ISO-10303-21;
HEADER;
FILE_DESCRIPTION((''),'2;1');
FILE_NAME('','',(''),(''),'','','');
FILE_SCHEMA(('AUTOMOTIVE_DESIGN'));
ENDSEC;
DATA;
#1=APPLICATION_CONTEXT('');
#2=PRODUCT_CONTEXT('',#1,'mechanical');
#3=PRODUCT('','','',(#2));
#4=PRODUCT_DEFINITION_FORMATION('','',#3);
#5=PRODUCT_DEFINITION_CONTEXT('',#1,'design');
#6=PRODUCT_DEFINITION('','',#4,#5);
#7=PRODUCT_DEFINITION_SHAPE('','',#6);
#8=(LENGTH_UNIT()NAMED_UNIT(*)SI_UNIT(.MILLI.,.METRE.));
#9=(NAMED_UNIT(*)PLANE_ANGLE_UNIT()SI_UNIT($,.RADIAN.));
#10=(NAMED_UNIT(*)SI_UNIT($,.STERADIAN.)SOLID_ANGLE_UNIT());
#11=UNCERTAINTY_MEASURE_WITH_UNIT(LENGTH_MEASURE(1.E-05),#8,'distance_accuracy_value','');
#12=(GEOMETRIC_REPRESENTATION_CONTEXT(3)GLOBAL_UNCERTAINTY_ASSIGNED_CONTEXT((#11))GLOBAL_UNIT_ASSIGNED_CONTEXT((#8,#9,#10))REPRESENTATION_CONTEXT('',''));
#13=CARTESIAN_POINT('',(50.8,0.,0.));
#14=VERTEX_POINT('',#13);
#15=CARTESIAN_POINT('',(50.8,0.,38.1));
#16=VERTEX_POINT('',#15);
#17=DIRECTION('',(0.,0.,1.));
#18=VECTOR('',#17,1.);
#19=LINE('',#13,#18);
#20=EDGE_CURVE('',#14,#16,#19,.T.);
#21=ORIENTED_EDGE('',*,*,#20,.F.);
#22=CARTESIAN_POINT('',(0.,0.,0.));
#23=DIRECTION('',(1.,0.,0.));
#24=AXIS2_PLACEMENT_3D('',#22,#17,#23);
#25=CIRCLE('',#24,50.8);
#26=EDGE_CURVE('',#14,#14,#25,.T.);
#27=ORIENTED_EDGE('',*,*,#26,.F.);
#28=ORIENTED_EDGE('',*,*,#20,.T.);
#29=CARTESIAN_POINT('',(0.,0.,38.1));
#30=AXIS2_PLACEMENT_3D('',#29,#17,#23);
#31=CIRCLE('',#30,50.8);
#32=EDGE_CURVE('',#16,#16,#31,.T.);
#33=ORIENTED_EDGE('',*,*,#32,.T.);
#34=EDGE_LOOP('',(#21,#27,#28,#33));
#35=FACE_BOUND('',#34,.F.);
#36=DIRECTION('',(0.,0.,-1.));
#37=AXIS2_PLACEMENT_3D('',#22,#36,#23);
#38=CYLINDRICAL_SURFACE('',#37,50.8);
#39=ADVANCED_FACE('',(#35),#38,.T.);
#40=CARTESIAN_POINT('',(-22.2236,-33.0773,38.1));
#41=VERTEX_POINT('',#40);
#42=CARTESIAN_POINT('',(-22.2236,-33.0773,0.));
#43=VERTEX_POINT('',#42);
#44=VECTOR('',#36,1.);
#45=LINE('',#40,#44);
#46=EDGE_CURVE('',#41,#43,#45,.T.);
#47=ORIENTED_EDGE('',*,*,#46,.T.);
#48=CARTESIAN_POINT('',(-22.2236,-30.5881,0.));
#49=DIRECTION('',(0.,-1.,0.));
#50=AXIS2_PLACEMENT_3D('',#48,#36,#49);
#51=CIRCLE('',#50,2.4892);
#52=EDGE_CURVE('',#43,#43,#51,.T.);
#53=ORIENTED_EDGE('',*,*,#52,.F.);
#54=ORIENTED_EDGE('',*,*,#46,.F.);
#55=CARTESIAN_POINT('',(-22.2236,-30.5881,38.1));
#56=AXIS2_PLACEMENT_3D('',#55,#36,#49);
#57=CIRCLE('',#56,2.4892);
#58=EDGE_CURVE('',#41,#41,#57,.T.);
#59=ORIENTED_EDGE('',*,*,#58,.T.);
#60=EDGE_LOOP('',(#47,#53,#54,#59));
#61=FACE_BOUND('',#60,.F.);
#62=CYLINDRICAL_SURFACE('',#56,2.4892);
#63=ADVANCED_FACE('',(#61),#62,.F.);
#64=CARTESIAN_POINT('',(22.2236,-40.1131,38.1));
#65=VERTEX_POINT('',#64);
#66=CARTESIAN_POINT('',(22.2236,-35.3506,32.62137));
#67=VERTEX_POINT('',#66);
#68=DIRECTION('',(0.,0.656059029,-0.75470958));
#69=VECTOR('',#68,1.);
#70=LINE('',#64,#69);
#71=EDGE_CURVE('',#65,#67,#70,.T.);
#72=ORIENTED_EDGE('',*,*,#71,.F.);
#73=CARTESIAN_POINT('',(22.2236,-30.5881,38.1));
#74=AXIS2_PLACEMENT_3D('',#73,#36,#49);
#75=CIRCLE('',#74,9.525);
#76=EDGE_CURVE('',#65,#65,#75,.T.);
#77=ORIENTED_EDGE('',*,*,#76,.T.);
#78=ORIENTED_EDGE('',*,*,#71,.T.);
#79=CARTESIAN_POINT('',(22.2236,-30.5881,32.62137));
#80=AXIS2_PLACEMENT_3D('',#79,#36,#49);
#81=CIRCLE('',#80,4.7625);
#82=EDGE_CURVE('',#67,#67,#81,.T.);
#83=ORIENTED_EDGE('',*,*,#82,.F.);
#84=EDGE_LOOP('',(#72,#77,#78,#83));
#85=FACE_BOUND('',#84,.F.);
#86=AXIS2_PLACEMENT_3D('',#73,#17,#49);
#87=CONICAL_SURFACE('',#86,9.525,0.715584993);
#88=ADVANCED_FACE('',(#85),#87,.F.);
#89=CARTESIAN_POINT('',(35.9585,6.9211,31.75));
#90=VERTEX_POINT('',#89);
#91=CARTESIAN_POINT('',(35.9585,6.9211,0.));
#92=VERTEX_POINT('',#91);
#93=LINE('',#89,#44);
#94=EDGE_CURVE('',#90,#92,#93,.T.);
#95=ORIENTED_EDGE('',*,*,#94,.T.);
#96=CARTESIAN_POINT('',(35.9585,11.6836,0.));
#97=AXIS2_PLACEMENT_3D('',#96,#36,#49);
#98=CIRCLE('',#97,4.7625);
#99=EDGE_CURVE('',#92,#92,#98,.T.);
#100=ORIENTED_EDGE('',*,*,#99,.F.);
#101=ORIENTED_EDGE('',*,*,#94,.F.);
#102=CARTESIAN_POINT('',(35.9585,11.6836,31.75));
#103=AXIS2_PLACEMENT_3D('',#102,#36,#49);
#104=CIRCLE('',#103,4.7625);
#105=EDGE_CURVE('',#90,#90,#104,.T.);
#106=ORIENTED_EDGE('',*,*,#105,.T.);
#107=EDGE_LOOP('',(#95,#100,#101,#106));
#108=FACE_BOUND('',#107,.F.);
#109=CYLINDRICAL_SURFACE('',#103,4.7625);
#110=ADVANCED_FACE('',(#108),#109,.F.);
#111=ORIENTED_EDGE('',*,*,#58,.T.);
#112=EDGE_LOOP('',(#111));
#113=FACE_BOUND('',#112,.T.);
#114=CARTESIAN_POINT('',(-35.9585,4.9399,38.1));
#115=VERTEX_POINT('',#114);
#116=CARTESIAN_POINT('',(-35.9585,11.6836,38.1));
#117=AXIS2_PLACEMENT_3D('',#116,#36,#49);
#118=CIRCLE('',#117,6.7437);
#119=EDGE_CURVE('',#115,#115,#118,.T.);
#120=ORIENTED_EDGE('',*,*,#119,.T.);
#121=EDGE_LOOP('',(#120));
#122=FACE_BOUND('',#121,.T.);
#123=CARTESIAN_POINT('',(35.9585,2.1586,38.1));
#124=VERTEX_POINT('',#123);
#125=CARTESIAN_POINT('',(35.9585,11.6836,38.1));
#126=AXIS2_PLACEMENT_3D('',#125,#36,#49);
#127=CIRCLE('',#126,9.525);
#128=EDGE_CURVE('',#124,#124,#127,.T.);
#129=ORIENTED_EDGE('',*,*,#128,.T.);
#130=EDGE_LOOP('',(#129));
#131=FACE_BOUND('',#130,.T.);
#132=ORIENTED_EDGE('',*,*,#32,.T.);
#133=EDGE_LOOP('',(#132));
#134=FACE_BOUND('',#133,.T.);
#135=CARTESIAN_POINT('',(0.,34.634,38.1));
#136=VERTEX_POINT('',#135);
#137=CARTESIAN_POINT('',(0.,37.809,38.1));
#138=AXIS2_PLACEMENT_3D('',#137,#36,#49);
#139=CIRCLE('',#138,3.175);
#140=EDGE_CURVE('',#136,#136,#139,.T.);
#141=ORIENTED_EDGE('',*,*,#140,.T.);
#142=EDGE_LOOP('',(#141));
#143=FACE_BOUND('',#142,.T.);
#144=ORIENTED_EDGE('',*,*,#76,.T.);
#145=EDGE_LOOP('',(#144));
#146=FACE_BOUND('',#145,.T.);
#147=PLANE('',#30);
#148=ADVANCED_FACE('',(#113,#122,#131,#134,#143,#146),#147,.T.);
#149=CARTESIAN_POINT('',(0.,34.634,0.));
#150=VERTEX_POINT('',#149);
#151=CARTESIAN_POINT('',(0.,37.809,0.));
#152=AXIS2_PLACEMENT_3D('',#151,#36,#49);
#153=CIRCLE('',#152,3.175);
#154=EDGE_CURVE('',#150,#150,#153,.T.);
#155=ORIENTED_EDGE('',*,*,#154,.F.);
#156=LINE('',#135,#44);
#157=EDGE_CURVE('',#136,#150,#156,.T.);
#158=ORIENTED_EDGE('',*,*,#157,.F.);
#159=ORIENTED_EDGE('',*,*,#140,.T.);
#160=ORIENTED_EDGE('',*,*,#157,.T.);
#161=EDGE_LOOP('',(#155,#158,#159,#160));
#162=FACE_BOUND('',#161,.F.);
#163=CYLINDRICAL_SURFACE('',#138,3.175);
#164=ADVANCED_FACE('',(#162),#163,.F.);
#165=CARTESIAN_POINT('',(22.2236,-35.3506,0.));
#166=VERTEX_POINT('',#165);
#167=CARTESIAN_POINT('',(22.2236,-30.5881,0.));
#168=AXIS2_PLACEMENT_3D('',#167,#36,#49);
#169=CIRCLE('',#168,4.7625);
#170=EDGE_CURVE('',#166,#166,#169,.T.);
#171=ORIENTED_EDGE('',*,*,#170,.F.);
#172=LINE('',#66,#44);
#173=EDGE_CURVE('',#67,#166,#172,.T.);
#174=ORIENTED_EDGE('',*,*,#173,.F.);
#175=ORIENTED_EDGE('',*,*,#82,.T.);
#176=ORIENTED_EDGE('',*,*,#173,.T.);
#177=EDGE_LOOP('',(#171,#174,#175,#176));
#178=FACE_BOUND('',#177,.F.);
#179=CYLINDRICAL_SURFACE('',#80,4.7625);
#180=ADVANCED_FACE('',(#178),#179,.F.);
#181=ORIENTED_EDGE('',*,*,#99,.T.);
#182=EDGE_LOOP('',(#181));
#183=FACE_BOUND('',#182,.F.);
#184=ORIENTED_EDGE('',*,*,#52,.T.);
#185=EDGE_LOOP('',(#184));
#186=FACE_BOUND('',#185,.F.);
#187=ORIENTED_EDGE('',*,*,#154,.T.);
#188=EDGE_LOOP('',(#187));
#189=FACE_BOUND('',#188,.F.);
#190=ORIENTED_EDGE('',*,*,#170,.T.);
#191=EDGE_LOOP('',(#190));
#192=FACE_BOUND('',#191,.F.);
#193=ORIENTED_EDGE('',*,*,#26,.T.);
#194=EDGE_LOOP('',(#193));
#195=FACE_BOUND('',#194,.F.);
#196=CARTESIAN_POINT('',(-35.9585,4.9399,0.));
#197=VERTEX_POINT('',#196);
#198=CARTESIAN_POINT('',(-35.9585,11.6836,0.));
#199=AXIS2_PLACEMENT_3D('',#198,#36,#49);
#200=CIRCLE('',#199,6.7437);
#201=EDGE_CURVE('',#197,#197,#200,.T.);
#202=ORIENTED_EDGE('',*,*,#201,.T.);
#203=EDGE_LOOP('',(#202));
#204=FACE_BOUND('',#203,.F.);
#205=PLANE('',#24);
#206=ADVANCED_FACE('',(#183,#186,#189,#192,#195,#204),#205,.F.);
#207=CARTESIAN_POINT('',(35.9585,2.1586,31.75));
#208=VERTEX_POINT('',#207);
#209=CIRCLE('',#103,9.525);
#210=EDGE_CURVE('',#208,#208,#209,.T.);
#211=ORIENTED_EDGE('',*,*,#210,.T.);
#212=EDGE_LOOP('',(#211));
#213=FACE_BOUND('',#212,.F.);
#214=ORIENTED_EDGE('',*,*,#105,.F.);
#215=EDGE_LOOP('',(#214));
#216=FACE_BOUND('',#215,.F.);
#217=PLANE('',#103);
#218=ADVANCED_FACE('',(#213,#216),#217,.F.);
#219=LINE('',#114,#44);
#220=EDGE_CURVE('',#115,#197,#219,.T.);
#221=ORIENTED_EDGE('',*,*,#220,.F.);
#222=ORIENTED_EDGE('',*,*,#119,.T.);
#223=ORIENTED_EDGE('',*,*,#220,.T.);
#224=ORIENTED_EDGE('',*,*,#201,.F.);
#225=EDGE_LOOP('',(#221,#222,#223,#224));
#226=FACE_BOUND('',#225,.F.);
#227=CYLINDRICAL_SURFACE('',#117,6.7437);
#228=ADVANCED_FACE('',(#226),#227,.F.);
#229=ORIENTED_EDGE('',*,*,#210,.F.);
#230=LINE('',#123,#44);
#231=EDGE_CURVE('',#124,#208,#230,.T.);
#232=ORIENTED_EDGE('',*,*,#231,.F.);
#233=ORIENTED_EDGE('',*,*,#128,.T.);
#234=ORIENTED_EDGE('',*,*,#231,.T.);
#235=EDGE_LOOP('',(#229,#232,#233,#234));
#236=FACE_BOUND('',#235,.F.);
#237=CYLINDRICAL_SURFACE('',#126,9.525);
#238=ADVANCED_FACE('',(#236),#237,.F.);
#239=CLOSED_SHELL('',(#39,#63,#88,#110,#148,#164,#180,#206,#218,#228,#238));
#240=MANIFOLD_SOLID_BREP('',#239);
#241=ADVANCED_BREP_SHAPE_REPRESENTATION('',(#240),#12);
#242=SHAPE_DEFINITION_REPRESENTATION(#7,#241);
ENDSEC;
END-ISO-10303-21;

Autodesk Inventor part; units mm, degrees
ref_plane "YZ Plane" through (0, 0, 0) normal (1, 0, 0) x (0, 1, 0)
ref_plane "XZ Plane" through (0, 0, 0) normal (0, 1, 0) x (-1, 0, 0)
ref_plane "XY Plane" through (0, 0, 0) normal (0, 0, 1) x (1, 0, 0)
sketch "Sketch1" plane through (0, 0, 0) normal (0, 0, 1) x (1, 0, 0)
  circle A0 centre (0, 0) radius 50.8
  dimension "d0" = 101.6
extrude "Extrusion1" add sketch "Sketch1" along normal blind 38.1
sketch "Sketch2" plane through (0, 0, 38.1) normal (0, 0, 1) x (1, 0, 0)
  circle A0 centre (0, 0) radius 50.8 projected
  point P0 (0, 37.809)
  point P1 (-35.9585, 11.6836)
  point P2 (-22.2236, -30.5881)
  point P3 (22.2236, -30.5881)
  point P4 (35.9585, 11.6836)
  dimension "d5" = 360
hole "Hole1" at (0, 37.809, 38.1) direction (0, 0, -1) diameter 6.35 end through all
hole "Hole2" at (35.9585, 11.6836, 38.1) direction (0, 0, -1) diameter 9.525 end through all counterbore diameter 19.05 counterbore depth 6.35
hole "Hole3" at (22.2236, -30.5881, 38.1) direction (0, 0, -1) diameter 9.525 end through all countersink diameter 19.05 countersink angle 82
hole "Hole4" at (-22.2236, -30.5881, 38.1) direction (0, 0, -1) diameter 4.9784 end through all thread size "1/4-20 UNC" class "1B" standard "ANSI Unified Screw Threads"
hole "Hole5" at (-35.9585, 11.6836, 38.1) direction (0, 0, -1) diameter 13.4874 end through all clearance for "Hex Head Bolt" size "1/2" standard "Ansi Unified Screw Threads"
properties part number "CircularPlate"
